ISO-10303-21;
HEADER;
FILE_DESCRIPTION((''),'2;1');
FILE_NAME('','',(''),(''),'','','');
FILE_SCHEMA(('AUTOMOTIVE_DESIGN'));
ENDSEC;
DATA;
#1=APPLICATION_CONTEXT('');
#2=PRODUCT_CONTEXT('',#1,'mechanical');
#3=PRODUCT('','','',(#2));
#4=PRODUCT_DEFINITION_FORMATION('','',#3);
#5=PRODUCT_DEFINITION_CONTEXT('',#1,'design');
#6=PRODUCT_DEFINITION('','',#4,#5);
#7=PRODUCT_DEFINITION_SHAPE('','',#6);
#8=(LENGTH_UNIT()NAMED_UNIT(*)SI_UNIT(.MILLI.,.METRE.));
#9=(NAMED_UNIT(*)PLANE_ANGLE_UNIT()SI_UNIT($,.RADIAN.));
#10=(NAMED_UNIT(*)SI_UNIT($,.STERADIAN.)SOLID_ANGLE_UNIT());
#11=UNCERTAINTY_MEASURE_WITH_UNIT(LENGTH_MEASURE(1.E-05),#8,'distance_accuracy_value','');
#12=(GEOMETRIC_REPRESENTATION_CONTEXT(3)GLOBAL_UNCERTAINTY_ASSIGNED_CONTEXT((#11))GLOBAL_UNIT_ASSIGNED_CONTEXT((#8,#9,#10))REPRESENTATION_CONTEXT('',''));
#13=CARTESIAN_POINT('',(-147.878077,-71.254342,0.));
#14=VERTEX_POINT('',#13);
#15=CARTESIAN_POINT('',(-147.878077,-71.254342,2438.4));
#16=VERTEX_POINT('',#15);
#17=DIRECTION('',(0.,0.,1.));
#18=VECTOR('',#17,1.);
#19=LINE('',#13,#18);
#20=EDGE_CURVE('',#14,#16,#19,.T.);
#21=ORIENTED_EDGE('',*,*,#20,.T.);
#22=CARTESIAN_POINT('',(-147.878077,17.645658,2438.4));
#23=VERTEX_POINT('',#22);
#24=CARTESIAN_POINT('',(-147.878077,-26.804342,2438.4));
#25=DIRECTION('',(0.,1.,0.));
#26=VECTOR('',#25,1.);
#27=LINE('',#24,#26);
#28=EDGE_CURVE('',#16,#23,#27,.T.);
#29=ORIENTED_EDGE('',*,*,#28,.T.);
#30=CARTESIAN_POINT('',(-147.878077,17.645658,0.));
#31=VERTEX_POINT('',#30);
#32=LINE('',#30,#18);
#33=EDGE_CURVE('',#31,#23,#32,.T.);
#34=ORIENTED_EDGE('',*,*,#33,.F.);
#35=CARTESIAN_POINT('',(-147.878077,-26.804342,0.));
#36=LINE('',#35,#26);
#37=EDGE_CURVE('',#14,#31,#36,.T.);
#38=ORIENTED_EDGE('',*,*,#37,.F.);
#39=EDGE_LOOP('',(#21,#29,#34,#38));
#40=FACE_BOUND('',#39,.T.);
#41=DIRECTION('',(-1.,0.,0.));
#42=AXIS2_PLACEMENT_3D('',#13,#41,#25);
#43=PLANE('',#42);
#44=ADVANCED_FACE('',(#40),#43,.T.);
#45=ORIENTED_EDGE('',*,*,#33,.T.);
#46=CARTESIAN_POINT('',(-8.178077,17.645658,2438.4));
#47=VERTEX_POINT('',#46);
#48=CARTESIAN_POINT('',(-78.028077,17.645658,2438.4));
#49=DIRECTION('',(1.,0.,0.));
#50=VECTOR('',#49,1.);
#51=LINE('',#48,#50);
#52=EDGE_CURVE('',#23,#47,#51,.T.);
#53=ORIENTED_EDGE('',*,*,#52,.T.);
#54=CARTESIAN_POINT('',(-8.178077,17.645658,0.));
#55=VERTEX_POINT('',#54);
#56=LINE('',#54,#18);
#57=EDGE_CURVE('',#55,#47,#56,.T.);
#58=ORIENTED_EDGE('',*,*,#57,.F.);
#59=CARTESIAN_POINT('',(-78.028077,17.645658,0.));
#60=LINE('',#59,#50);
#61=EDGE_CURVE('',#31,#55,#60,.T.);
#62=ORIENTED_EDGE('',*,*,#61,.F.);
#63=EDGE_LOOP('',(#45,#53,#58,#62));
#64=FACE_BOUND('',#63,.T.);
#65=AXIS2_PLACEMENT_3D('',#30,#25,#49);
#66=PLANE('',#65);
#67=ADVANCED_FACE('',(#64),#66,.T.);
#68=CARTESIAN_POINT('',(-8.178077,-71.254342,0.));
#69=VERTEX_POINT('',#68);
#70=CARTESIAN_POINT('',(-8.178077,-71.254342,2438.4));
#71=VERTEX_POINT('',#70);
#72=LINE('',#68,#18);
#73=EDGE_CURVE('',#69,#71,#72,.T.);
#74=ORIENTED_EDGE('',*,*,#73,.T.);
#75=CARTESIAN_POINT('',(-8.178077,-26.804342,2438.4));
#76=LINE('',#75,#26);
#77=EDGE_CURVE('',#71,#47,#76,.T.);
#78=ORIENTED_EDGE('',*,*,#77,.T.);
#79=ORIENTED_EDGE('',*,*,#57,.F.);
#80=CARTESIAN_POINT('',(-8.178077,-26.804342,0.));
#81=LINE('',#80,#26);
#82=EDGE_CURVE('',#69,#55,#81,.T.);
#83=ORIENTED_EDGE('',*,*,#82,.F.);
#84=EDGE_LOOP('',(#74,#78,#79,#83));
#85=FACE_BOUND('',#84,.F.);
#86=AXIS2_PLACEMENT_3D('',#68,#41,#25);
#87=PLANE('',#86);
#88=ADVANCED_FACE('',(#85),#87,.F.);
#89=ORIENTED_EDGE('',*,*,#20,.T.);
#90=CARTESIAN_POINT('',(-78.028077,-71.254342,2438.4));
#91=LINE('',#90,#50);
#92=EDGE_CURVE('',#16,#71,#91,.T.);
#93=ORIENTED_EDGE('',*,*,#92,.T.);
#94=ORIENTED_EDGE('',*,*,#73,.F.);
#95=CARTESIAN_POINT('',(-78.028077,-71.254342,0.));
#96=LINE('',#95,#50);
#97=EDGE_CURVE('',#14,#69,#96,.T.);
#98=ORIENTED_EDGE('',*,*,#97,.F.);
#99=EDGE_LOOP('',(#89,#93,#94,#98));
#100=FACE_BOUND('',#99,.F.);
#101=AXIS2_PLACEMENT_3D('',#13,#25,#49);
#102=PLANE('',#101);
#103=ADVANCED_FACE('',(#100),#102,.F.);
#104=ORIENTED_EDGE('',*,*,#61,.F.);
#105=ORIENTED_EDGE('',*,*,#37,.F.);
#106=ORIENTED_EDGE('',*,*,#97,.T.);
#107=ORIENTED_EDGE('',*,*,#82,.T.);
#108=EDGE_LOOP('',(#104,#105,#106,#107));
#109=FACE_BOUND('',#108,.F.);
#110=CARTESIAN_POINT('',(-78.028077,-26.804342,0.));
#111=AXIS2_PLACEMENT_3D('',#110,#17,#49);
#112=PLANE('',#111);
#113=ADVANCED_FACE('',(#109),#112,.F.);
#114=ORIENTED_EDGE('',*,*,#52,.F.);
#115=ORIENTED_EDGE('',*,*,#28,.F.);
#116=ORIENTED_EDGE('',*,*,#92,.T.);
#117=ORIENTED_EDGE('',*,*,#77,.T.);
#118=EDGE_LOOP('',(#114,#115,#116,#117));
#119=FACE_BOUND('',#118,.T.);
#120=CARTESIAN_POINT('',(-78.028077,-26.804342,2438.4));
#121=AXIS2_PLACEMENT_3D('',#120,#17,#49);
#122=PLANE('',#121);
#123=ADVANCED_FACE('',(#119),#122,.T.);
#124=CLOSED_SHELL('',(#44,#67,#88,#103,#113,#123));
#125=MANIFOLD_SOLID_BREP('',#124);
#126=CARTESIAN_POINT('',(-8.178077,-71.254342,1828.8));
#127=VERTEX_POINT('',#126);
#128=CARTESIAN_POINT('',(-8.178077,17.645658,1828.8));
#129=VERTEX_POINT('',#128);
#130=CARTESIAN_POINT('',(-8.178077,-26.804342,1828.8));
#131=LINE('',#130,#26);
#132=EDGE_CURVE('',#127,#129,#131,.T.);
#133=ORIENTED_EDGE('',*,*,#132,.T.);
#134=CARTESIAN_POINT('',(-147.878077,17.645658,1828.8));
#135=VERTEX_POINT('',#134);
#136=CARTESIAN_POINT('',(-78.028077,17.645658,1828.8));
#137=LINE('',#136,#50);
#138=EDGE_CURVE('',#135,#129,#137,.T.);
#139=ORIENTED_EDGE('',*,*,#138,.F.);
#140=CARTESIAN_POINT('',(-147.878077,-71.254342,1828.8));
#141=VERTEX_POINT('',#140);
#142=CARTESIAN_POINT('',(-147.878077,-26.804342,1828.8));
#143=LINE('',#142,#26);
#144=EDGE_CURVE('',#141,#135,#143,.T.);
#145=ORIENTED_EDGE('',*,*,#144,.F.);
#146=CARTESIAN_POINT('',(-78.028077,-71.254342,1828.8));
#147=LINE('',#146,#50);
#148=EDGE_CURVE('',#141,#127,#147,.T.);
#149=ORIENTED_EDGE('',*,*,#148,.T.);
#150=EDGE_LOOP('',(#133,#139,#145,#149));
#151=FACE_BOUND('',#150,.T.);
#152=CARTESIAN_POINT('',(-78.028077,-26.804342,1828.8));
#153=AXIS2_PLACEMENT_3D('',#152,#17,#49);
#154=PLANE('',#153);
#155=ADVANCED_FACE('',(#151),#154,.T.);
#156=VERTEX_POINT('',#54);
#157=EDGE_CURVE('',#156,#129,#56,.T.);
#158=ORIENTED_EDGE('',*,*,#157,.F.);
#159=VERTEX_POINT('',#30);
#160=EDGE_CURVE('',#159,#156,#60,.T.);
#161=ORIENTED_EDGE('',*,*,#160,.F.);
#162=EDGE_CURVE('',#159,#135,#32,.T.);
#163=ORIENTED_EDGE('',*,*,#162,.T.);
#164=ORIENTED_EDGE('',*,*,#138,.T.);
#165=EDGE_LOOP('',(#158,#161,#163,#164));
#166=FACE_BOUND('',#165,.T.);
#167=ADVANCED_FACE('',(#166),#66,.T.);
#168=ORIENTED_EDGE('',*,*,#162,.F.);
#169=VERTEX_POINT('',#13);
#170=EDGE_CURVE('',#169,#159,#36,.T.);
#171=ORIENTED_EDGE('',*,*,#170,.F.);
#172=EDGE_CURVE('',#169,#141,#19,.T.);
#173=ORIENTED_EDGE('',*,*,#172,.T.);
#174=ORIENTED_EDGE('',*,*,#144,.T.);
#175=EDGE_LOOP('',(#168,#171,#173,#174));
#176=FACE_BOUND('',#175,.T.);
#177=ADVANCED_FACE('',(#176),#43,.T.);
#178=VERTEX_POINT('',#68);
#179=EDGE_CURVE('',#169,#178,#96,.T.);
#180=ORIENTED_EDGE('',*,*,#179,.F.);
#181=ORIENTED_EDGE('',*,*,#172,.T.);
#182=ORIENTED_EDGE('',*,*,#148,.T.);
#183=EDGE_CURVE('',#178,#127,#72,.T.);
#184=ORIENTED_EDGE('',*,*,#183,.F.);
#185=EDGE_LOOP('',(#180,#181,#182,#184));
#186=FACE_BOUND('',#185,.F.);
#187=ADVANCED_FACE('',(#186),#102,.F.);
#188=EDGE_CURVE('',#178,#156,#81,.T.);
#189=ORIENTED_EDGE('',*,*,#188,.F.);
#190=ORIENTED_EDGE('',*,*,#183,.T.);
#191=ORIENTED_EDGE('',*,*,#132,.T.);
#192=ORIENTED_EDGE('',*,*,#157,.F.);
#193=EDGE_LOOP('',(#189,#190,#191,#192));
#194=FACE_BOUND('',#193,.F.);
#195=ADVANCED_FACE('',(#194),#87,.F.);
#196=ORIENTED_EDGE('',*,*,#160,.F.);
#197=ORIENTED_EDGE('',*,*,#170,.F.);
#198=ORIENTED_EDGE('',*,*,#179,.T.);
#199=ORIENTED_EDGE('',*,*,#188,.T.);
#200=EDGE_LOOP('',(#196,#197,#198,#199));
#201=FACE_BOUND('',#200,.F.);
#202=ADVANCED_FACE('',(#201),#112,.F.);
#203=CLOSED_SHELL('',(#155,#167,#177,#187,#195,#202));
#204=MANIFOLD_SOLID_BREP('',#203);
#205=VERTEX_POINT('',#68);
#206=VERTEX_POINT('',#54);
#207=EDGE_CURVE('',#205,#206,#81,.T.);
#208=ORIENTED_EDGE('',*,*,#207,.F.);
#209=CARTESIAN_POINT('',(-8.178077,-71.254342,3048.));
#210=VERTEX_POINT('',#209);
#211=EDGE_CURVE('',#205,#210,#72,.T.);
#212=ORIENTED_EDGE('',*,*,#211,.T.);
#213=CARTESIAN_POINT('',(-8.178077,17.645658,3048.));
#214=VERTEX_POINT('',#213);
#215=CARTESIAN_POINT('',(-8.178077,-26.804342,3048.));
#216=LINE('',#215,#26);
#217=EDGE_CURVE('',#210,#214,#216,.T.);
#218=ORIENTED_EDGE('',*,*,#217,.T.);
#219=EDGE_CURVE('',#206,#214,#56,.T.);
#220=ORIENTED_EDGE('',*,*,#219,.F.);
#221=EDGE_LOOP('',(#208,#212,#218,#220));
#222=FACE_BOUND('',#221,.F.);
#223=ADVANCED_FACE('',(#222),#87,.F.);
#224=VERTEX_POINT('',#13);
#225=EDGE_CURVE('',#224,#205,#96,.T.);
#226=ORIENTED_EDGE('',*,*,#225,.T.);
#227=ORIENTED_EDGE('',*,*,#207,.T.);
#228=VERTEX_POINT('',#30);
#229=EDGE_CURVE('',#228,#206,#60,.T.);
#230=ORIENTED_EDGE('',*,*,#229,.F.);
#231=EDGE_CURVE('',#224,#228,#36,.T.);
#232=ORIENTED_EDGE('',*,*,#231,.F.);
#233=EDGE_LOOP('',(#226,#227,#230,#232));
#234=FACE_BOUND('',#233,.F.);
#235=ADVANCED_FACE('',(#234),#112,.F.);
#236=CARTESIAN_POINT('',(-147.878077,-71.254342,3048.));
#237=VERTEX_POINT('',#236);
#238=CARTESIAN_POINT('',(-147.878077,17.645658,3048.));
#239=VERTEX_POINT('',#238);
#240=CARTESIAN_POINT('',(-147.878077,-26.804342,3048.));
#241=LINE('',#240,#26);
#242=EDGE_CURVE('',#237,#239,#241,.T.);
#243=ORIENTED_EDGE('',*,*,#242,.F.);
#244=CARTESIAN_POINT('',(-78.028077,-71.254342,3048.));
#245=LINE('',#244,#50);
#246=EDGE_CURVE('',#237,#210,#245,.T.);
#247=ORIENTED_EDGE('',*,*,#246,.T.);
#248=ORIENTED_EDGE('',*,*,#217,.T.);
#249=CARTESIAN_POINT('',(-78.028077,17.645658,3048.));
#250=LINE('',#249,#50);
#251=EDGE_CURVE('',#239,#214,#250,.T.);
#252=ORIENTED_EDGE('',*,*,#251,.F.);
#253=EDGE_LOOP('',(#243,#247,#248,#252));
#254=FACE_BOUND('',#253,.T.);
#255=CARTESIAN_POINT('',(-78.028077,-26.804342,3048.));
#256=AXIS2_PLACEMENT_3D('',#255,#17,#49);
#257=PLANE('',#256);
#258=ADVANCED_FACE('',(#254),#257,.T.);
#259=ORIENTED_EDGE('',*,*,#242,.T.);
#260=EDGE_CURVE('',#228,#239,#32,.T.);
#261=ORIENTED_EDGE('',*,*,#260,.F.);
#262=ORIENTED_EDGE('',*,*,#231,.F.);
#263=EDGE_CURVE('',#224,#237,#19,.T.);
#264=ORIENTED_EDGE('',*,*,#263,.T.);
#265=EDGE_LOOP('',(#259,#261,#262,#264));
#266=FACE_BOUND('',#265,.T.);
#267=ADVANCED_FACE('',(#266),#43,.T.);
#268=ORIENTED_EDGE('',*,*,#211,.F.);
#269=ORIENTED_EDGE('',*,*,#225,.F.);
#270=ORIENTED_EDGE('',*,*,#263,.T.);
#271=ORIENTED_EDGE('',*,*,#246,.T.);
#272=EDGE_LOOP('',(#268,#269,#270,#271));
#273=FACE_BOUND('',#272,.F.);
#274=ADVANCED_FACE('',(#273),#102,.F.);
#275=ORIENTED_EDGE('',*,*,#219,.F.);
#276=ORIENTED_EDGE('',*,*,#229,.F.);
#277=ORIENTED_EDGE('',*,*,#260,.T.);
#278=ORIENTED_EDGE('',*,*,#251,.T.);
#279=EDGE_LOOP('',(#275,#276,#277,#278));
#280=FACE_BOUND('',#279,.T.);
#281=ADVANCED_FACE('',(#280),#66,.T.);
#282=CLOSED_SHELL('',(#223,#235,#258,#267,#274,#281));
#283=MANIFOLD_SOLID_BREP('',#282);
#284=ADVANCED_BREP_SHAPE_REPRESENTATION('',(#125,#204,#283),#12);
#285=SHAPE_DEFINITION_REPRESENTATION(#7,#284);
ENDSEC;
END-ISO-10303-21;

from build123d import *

# Parameters (mm, degrees)
F0_W     = 139.7
F0_H     = 88.9
F1_DEPTH = 1828.8
F2_DEPTH = 2438.4
F3_DEPTH = 3048


with BuildPart() as f1:
    # F0 (on Top) → F1 (new body)
    with BuildSketch(Plane.XY):
        with Locations((-78.028077, -26.804342)):
            Rectangle(F0_W, F0_H)
    extrude(amount=F1_DEPTH)


with BuildPart() as f2:
    # F0 (on Top) → F2 (new body)
    with BuildSketch(Plane.XY):
        with Locations((-78.028077, -26.804342)):
            Rectangle(F0_W, F0_H)
    extrude(amount=F2_DEPTH)


with BuildPart() as f3:
    # F0 (on Top) → F3 (new body)
    with BuildSketch(Plane.XY):
        with Locations((-78.028077, -26.804342)):
            Rectangle(F0_W, F0_H)
    extrude(amount=F3_DEPTH)


solid = Compound([f1.part, f2.part, f3.part])
